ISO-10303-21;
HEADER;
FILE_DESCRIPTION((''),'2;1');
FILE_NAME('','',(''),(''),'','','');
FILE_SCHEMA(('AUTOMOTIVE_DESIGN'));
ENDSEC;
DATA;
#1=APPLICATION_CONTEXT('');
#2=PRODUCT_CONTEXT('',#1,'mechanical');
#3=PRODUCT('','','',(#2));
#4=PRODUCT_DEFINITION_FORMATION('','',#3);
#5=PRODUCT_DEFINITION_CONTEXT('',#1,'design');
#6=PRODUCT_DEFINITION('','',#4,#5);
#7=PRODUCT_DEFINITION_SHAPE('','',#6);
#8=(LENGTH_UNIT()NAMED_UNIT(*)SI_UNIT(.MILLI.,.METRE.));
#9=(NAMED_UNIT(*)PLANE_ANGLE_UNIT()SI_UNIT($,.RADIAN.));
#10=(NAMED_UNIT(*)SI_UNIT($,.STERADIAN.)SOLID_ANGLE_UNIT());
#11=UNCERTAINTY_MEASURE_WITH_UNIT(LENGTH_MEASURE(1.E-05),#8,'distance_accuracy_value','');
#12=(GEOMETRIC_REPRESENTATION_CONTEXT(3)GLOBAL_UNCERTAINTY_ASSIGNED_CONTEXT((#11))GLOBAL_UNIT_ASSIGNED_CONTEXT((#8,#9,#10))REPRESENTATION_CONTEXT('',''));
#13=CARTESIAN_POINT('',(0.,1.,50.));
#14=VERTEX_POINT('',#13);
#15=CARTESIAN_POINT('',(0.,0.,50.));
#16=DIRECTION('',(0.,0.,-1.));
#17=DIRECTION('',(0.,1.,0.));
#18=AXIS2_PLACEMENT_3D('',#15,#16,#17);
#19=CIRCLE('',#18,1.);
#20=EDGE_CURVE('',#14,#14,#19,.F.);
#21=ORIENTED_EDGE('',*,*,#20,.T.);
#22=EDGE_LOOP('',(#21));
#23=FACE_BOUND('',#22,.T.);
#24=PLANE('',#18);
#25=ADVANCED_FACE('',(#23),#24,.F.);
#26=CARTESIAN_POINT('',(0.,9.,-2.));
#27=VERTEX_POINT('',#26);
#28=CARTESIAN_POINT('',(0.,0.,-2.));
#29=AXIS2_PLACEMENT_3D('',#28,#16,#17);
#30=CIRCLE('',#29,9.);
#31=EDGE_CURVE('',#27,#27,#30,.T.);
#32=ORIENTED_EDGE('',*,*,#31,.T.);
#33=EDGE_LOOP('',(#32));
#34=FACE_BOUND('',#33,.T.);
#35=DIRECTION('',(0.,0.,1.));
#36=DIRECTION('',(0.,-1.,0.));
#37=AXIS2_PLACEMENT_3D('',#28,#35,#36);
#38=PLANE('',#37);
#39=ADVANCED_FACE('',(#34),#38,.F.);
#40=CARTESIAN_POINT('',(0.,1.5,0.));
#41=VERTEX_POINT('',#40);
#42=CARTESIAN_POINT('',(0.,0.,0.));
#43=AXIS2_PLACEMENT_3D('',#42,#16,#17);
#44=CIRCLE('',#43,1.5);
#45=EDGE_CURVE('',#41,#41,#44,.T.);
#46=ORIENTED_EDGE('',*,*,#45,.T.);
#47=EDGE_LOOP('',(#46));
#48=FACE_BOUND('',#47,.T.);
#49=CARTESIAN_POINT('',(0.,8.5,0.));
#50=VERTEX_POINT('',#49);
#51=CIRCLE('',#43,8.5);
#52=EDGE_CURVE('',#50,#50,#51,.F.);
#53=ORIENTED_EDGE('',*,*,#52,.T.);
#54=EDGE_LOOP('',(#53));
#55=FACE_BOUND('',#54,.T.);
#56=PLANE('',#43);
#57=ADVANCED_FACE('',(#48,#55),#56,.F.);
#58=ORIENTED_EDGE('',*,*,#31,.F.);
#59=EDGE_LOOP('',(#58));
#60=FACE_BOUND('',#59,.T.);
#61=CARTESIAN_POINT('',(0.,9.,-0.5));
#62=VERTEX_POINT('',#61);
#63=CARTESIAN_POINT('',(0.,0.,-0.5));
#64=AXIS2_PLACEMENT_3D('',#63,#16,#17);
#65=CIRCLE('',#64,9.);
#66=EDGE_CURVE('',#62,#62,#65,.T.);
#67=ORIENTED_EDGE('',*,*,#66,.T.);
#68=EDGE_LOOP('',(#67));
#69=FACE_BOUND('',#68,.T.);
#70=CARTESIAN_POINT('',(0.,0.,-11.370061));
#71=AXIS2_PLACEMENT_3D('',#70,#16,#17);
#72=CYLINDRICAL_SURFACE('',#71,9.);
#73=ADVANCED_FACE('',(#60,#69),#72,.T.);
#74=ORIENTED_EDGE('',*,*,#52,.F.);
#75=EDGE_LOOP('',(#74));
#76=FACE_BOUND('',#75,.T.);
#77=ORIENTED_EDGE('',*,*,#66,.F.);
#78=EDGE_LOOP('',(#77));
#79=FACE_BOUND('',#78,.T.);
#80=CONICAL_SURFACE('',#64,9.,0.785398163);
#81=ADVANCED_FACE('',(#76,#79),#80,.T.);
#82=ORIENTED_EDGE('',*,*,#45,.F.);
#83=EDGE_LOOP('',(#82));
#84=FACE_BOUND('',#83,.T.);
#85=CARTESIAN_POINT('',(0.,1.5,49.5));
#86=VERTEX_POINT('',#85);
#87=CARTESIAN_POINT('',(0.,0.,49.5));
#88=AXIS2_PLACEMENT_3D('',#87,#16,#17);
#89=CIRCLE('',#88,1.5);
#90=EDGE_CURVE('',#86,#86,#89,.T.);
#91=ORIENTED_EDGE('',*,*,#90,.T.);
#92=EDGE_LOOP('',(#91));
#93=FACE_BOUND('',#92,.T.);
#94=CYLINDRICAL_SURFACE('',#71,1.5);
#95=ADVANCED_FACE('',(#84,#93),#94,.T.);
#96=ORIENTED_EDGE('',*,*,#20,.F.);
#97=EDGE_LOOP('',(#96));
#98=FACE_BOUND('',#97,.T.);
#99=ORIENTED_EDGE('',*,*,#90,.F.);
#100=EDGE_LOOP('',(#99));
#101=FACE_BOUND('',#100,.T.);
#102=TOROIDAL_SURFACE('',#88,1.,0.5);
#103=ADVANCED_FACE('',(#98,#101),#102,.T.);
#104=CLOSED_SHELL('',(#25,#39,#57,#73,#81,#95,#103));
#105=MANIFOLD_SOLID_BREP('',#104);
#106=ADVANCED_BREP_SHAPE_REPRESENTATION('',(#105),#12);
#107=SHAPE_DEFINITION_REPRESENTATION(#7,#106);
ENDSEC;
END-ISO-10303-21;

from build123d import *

# Parameters (mm, degrees)
FILLET1_R     = 0.5
CHAMFER1_SIZE = 0.5


with BuildPart() as part:
    # Sketch1 → Revolve1 (revolve)
    with BuildSketch(Plane.YZ):
        Polygon((0, 50), (0, -2), (9, -2), (9, 0), (1.5, 0), (1.5, 50), align=None)
    revolve(axis=Axis((0, 0, -11.370061245), (0, 0, 1)))

    # Fillet1
    fillet1_edges = [part.edges().sort_by_distance(p)[0] for p in [
        (0, -1.5, 50),
    ]]
    fillet(fillet1_edges, radius=FILLET1_R)

    # Chamfer1
    chamfer1_edges = [part.edges().sort_by_distance(p)[0] for p in [
        (0, -9, 0),
    ]]
    chamfer(chamfer1_edges, length=CHAMFER1_SIZE)


solid = part.part
